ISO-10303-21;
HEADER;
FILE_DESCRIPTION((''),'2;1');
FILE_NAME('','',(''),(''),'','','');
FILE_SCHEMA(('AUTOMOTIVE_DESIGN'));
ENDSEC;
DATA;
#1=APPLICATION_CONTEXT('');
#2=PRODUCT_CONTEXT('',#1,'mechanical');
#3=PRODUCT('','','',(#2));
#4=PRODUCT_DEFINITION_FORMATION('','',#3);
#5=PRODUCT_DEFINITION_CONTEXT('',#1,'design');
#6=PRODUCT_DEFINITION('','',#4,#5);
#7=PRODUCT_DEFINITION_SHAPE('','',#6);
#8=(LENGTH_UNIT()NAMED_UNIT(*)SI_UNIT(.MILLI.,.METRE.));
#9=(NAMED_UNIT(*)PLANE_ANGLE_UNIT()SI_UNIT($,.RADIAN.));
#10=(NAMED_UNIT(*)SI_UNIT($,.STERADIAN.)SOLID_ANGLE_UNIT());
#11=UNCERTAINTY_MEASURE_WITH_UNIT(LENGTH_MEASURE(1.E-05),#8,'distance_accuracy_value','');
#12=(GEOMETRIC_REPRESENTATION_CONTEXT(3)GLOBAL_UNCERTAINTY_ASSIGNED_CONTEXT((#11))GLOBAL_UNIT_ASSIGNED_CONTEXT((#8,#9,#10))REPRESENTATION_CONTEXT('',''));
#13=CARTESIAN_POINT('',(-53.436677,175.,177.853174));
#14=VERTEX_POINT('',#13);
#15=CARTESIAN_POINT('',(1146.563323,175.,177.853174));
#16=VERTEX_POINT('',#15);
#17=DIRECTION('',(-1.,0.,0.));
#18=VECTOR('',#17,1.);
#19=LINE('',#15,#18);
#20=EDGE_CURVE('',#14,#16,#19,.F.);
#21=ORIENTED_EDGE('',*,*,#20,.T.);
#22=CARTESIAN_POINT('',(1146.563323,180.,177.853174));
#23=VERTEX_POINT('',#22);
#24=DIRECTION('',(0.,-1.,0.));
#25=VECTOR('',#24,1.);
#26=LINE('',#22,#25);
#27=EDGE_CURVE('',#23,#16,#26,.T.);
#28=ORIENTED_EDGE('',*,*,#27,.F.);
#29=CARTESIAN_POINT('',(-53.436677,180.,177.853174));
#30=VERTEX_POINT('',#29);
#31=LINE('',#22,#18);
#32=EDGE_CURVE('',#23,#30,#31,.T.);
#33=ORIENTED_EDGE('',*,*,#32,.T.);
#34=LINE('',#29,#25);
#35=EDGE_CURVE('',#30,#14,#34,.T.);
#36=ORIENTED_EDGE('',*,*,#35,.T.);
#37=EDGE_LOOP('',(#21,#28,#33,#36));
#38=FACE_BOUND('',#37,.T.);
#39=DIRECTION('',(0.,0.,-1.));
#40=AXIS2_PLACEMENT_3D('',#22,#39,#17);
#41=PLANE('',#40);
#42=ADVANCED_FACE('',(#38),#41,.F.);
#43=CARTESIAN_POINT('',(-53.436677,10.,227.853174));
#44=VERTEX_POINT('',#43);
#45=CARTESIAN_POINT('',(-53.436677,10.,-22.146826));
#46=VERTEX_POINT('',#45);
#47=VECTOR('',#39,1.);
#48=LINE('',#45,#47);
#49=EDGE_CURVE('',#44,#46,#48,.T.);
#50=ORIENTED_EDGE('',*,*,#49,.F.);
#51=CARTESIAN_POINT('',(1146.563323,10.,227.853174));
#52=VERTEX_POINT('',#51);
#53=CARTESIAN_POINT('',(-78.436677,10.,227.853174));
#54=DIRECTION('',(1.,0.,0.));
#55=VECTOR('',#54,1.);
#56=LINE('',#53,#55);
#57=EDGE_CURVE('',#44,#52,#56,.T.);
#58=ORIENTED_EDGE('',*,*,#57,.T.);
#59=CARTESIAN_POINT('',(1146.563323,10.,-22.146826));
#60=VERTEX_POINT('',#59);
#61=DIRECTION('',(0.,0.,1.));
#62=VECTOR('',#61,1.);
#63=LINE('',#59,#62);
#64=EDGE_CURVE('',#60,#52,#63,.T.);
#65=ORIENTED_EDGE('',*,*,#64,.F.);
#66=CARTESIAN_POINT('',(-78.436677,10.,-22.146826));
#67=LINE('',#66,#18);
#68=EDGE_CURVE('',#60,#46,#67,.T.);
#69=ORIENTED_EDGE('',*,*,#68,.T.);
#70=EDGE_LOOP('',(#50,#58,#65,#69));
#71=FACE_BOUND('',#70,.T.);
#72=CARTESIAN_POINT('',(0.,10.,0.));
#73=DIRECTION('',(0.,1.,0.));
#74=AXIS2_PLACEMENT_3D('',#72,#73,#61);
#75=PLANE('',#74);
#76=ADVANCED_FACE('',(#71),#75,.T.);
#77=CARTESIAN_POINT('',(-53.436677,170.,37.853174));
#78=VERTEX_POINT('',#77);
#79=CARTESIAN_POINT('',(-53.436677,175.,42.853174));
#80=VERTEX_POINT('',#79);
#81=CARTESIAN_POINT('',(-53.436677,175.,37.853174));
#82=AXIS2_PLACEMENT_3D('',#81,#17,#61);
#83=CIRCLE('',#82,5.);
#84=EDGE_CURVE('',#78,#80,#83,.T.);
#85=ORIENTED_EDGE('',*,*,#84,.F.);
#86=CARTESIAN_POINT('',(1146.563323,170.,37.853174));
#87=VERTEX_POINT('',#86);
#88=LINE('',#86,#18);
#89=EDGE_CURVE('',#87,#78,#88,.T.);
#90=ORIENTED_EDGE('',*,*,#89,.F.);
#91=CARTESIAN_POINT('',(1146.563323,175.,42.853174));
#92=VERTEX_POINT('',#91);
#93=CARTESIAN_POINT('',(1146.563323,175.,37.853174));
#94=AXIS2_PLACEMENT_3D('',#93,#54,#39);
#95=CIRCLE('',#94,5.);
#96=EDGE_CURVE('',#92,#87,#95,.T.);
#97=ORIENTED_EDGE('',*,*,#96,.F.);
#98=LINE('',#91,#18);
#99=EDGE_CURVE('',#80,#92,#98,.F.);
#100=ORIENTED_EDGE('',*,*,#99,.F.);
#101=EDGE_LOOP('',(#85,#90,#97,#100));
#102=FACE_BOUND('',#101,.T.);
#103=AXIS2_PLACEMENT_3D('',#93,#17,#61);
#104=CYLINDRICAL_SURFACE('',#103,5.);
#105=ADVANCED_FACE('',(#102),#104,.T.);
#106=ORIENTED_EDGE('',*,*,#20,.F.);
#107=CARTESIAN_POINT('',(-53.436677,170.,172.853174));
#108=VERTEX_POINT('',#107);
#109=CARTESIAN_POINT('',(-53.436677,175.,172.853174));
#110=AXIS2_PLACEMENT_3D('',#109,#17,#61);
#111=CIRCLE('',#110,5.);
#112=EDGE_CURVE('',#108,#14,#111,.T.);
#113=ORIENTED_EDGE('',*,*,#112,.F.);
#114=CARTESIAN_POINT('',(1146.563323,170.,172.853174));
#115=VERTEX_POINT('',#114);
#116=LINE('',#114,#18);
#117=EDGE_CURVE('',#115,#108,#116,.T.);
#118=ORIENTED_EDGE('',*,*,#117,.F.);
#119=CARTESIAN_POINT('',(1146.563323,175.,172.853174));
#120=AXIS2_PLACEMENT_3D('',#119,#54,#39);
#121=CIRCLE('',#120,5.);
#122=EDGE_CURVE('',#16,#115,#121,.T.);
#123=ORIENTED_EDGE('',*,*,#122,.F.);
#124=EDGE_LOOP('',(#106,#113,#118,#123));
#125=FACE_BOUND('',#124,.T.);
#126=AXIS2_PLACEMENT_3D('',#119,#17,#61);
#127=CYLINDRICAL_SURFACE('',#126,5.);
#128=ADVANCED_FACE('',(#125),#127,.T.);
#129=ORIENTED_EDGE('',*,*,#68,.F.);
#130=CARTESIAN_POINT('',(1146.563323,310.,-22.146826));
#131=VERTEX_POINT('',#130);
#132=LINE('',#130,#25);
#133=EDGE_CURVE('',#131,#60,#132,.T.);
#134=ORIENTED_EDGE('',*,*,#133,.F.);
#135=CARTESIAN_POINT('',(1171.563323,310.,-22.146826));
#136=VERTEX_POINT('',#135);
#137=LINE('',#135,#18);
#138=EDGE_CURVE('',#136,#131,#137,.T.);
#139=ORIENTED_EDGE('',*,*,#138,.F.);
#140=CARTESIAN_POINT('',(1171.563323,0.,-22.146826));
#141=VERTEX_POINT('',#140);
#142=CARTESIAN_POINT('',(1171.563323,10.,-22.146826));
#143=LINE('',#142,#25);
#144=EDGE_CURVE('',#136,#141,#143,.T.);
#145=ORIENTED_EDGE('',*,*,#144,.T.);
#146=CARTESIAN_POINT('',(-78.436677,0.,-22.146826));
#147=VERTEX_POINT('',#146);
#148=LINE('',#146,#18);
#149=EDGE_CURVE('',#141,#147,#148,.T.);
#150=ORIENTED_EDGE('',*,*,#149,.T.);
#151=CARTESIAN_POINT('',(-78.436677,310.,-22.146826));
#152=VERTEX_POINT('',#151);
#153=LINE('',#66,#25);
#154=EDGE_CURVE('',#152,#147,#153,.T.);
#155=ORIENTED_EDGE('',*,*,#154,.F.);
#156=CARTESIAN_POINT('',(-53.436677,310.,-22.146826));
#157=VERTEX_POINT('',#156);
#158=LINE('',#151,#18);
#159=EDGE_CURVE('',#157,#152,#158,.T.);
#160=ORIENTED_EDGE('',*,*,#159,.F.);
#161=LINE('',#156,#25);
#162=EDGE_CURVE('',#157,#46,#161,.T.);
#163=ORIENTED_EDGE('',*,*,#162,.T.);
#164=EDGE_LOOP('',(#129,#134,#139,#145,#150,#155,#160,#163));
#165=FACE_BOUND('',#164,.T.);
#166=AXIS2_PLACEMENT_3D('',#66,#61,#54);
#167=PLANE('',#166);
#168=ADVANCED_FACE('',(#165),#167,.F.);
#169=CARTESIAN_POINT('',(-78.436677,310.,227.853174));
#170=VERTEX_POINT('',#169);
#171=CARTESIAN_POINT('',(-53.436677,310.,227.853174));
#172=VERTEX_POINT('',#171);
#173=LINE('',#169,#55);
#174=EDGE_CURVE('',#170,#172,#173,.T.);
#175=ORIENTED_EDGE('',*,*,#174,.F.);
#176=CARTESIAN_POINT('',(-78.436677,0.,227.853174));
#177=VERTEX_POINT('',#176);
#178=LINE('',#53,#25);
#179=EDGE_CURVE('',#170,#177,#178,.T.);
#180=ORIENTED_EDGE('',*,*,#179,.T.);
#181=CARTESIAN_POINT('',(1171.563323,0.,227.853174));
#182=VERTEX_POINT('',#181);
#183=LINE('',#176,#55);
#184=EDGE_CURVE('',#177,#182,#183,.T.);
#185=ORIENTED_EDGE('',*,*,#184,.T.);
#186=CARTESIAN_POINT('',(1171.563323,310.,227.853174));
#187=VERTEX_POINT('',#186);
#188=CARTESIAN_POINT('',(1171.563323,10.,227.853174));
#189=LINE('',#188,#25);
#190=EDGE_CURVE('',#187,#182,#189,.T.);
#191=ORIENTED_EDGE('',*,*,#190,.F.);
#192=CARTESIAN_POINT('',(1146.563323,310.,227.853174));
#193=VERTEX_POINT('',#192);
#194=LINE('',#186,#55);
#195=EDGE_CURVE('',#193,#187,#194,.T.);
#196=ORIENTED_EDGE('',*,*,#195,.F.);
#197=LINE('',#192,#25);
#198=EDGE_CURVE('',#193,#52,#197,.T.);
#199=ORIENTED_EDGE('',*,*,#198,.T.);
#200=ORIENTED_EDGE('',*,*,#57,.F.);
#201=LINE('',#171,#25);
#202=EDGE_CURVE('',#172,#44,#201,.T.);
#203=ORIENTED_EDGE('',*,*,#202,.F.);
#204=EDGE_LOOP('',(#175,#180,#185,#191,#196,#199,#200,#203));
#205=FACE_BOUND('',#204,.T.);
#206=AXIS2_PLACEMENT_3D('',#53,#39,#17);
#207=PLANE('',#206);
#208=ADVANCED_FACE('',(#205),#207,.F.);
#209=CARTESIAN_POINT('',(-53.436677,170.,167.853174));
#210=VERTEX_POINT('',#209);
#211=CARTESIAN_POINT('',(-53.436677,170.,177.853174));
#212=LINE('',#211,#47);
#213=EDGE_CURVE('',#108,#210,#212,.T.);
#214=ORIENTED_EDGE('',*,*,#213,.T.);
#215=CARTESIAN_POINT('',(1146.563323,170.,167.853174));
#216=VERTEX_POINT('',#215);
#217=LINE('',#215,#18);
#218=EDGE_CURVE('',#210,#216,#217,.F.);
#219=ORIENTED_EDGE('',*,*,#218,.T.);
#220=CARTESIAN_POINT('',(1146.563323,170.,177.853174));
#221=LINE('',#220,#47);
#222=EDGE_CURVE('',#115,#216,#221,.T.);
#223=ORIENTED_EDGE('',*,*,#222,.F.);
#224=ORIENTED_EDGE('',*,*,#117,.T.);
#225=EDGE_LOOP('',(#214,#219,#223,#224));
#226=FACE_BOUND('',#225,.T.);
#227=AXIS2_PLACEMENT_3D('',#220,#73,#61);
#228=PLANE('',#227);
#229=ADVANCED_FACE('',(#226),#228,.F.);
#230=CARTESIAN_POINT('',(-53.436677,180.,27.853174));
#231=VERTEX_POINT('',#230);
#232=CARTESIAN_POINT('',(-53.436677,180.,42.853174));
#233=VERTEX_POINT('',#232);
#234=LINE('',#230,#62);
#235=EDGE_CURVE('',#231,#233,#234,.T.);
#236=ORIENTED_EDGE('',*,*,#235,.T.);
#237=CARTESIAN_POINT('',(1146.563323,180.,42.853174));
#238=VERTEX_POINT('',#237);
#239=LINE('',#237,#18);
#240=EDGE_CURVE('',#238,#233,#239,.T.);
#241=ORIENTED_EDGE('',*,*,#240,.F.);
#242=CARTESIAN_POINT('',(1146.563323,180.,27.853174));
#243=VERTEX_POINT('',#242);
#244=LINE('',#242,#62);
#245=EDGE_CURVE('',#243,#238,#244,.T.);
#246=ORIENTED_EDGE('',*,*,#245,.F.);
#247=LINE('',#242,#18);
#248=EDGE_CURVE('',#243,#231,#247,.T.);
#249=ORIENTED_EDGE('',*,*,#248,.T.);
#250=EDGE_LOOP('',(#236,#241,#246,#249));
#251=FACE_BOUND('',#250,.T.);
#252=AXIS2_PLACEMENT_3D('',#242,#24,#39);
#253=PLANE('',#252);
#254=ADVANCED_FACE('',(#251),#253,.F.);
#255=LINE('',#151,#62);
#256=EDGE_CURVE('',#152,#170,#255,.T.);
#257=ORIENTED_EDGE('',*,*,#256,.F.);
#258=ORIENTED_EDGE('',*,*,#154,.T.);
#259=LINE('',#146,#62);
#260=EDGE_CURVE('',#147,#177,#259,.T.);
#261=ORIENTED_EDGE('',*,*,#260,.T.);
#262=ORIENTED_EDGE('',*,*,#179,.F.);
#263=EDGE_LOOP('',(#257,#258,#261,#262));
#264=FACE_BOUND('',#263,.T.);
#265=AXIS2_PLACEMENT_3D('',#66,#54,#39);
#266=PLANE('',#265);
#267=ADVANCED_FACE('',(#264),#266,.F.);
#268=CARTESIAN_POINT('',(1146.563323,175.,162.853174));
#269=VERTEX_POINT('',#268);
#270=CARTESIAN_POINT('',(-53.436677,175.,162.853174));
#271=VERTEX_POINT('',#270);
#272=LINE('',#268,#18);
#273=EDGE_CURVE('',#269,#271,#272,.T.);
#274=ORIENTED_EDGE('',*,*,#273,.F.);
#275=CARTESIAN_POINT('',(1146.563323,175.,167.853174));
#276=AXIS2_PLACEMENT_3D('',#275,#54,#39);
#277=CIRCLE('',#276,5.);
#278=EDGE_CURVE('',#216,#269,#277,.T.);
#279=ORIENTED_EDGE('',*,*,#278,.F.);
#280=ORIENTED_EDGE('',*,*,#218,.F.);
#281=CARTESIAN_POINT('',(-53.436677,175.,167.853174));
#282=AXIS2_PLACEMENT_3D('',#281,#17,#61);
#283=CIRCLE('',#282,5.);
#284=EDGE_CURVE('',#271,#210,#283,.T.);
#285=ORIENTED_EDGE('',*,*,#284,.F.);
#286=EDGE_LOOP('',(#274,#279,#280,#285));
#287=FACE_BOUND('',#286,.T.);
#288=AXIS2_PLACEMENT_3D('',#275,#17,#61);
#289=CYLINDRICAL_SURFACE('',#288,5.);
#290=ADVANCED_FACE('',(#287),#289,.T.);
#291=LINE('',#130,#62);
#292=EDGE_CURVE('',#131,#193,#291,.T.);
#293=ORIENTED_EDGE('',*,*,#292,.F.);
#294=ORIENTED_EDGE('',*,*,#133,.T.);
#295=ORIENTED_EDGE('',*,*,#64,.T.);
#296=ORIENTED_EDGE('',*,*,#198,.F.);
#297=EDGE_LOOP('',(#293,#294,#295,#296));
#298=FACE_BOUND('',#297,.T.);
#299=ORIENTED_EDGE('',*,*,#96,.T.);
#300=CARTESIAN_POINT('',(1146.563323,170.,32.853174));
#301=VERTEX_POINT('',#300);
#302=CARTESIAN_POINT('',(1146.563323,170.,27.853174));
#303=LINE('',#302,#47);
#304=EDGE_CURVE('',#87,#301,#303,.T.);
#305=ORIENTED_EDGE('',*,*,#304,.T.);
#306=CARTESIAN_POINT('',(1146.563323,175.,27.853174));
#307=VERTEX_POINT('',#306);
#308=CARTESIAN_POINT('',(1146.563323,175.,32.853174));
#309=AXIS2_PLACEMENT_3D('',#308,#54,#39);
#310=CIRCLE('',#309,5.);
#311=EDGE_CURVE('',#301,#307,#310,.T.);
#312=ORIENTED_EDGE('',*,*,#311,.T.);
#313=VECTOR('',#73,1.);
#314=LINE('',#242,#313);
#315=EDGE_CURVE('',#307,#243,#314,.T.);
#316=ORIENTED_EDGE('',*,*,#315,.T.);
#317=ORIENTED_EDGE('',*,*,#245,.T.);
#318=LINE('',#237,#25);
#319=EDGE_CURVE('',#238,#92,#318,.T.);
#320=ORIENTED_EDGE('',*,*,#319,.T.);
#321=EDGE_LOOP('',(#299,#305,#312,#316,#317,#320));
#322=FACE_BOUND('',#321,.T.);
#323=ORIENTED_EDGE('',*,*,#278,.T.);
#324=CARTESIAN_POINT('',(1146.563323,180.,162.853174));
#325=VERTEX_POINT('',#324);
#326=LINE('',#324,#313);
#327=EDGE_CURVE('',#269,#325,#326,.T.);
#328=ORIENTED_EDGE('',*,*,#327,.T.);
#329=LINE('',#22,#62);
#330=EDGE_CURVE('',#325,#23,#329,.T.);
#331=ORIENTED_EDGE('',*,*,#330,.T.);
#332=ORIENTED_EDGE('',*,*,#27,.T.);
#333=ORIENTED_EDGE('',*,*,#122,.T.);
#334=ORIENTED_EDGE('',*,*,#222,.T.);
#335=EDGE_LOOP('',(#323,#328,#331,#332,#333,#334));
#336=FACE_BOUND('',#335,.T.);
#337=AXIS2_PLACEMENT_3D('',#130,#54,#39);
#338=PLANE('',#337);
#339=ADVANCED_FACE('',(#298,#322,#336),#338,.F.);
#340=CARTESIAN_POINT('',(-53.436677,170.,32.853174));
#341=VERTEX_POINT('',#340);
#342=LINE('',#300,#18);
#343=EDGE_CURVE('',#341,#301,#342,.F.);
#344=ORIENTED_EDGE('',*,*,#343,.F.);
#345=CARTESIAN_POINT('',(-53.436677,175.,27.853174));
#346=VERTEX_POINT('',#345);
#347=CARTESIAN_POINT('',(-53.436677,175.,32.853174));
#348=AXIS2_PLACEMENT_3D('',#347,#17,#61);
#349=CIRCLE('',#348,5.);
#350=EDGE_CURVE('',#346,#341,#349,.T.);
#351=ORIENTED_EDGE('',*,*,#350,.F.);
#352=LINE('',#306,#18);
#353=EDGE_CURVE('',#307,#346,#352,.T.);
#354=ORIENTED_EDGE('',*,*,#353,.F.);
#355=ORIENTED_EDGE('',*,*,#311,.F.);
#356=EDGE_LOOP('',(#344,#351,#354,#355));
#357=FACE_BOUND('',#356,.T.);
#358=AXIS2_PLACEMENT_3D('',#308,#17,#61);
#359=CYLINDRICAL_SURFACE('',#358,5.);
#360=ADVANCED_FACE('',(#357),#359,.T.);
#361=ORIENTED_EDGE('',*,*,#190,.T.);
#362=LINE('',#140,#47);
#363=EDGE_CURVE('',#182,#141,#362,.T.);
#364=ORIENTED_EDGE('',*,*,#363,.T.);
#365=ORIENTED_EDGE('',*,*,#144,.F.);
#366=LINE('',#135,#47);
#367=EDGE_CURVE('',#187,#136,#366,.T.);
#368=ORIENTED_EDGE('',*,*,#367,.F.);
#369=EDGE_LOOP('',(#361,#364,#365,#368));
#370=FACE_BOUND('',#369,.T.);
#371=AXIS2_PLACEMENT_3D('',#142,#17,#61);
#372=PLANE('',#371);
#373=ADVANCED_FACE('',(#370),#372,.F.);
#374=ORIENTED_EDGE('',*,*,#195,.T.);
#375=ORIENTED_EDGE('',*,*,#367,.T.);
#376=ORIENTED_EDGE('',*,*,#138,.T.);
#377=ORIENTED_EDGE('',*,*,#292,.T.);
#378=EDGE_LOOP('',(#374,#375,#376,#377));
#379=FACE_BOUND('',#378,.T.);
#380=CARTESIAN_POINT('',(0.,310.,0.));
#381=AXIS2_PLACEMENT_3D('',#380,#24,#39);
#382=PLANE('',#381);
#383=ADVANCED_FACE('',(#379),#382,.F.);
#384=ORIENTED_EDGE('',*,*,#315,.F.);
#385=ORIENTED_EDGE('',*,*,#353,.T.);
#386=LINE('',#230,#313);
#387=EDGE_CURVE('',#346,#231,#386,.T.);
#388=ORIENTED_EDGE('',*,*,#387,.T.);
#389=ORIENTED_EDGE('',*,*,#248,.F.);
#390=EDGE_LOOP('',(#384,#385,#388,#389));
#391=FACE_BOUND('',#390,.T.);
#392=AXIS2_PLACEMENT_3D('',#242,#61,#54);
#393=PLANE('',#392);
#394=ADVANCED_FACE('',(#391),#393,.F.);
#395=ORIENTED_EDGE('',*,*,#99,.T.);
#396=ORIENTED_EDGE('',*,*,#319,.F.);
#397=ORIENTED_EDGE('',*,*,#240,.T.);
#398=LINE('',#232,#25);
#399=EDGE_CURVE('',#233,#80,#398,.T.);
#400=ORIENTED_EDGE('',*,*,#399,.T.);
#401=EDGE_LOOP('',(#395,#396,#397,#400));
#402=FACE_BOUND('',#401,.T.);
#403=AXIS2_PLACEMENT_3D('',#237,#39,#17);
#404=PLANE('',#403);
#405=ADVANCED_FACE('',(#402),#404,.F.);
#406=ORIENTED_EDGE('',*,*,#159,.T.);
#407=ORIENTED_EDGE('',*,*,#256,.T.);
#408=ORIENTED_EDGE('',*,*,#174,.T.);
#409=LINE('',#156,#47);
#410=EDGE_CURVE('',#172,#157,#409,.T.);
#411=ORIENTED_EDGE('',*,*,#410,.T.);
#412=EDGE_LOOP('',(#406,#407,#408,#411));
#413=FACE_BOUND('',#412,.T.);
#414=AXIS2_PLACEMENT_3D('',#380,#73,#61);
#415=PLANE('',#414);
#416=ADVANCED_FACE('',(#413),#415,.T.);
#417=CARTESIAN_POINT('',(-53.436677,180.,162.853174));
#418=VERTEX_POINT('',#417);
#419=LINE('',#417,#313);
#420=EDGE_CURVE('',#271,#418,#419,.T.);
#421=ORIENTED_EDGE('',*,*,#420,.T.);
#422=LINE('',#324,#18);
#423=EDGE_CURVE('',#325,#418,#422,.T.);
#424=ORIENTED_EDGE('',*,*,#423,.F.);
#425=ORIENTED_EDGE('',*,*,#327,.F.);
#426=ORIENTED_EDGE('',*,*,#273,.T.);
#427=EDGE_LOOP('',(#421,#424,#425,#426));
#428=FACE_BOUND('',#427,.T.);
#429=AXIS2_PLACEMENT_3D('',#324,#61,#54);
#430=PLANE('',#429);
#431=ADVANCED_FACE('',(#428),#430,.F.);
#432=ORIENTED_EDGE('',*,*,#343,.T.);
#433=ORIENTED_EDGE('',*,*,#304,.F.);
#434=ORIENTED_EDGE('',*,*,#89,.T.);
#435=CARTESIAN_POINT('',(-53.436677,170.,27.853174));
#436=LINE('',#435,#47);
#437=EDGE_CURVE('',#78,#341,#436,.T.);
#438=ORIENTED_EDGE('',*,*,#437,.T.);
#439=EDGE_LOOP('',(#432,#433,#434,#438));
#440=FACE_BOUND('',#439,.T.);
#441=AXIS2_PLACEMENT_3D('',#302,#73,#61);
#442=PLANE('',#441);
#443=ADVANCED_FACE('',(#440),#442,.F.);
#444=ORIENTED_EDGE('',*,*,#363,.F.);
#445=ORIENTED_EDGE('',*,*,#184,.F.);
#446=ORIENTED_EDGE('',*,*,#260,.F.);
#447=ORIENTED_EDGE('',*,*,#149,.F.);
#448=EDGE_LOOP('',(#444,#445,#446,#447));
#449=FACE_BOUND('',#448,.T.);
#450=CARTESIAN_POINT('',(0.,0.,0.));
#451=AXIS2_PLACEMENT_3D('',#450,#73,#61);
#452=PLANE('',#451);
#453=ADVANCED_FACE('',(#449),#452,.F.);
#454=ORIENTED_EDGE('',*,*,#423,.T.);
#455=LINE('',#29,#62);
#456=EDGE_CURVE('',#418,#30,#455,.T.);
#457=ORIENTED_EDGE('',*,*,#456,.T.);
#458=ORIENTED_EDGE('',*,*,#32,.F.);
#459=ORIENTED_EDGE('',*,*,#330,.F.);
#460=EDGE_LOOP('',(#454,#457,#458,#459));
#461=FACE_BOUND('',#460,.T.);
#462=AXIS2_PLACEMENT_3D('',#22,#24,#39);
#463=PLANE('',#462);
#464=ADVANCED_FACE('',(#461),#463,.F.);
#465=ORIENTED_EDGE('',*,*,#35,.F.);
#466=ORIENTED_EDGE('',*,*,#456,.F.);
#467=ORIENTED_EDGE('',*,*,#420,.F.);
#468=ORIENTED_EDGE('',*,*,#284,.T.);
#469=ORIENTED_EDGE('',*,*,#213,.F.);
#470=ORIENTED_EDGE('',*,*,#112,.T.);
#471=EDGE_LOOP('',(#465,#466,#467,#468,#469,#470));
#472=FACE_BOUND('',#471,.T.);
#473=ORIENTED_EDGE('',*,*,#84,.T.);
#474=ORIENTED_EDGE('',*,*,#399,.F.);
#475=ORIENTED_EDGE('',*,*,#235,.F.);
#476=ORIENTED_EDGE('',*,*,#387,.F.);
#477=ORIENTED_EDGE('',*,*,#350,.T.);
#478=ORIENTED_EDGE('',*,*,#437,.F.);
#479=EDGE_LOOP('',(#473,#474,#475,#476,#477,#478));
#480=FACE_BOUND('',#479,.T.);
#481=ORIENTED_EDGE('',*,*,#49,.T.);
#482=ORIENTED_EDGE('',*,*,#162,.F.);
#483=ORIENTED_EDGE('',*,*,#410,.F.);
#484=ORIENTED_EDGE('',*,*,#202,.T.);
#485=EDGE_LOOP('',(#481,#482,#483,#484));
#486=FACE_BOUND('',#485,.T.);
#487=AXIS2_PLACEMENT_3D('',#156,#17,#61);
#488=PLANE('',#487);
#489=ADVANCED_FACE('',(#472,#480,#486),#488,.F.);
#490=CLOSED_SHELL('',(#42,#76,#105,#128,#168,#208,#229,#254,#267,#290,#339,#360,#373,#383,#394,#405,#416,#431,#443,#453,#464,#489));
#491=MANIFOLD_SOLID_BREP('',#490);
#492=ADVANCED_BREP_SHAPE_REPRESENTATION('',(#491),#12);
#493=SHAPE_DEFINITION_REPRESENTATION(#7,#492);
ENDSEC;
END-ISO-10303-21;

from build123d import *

# Parameters (mm, degrees)
SKETCH2_W           = 1250
SKETCH2_H           = 250
BOSS_EXTRUDE1_DEPTH = 10
SKETCH3_W           = 25
SKETCH3_H           = 250
BOSS_EXTRUDE2_DEPTH = 300
SKETCH4_W           = 15
SKETCH4_H           = 10
BOSS_EXTRUDE3_DEPTH = 1200
FILLET1_R           = 5
FILLET3_R           = 5


with BuildPart() as part:
    # Sketch2 → Boss-Extrude1 (new body)
    with BuildSketch(Plane(origin=(0, 0, 0), x_dir=(1, 0, 0), z_dir=(0, 1, 0))):
        with Locations((546.563322885, -102.85317352)):
            Rectangle(SKETCH2_W, SKETCH2_H)
    extrude(amount=BOSS_EXTRUDE1_DEPTH)

    # Sketch3 → Boss-Extrude2 (add)
    with BuildSketch(Plane(origin=(0, 10, 0), x_dir=(1, 0, 0), z_dir=(0, 1, 0))):
        with Locations((-65.936677115, -102.85317352)):
            Rectangle(SKETCH3_W, SKETCH3_H)
        with Locations((1159.063322885, -102.85317352)):
            Rectangle(SKETCH3_W, SKETCH3_H)
    extrude(amount=BOSS_EXTRUDE2_DEPTH)

    # Sketch4 → Boss-Extrude3 (add)
    with BuildSketch(Plane(origin=(-53.436677115, 0, 0), x_dir=(0, 0, -1), z_dir=(1, 0, 0))):
        with Locations((-170.35317352, 175)):
            Rectangle(SKETCH4_W, SKETCH4_H)
        with Locations((-35.35317352, 175)):
            Rectangle(SKETCH4_W, SKETCH4_H)
    extrude(amount=BOSS_EXTRUDE3_DEPTH)

    # Fillet1
    fillet1_edges = [part.edges().sort_by_distance(p)[0] for p in [
        (546.563322885, 170, 177.85317352),
        (546.563322885, 170, 162.85317352),
    ]]
    fillet(fillet1_edges, radius=FILLET1_R)

    # Fillet3
    fillet3_edges = [part.edges().sort_by_distance(p)[0] for p in [
        (546.563322885, 170, 42.85317352),
        (546.563322885, 170, 27.85317352),
    ]]
    fillet(fillet3_edges, radius=FILLET3_R)


solid = part.part
